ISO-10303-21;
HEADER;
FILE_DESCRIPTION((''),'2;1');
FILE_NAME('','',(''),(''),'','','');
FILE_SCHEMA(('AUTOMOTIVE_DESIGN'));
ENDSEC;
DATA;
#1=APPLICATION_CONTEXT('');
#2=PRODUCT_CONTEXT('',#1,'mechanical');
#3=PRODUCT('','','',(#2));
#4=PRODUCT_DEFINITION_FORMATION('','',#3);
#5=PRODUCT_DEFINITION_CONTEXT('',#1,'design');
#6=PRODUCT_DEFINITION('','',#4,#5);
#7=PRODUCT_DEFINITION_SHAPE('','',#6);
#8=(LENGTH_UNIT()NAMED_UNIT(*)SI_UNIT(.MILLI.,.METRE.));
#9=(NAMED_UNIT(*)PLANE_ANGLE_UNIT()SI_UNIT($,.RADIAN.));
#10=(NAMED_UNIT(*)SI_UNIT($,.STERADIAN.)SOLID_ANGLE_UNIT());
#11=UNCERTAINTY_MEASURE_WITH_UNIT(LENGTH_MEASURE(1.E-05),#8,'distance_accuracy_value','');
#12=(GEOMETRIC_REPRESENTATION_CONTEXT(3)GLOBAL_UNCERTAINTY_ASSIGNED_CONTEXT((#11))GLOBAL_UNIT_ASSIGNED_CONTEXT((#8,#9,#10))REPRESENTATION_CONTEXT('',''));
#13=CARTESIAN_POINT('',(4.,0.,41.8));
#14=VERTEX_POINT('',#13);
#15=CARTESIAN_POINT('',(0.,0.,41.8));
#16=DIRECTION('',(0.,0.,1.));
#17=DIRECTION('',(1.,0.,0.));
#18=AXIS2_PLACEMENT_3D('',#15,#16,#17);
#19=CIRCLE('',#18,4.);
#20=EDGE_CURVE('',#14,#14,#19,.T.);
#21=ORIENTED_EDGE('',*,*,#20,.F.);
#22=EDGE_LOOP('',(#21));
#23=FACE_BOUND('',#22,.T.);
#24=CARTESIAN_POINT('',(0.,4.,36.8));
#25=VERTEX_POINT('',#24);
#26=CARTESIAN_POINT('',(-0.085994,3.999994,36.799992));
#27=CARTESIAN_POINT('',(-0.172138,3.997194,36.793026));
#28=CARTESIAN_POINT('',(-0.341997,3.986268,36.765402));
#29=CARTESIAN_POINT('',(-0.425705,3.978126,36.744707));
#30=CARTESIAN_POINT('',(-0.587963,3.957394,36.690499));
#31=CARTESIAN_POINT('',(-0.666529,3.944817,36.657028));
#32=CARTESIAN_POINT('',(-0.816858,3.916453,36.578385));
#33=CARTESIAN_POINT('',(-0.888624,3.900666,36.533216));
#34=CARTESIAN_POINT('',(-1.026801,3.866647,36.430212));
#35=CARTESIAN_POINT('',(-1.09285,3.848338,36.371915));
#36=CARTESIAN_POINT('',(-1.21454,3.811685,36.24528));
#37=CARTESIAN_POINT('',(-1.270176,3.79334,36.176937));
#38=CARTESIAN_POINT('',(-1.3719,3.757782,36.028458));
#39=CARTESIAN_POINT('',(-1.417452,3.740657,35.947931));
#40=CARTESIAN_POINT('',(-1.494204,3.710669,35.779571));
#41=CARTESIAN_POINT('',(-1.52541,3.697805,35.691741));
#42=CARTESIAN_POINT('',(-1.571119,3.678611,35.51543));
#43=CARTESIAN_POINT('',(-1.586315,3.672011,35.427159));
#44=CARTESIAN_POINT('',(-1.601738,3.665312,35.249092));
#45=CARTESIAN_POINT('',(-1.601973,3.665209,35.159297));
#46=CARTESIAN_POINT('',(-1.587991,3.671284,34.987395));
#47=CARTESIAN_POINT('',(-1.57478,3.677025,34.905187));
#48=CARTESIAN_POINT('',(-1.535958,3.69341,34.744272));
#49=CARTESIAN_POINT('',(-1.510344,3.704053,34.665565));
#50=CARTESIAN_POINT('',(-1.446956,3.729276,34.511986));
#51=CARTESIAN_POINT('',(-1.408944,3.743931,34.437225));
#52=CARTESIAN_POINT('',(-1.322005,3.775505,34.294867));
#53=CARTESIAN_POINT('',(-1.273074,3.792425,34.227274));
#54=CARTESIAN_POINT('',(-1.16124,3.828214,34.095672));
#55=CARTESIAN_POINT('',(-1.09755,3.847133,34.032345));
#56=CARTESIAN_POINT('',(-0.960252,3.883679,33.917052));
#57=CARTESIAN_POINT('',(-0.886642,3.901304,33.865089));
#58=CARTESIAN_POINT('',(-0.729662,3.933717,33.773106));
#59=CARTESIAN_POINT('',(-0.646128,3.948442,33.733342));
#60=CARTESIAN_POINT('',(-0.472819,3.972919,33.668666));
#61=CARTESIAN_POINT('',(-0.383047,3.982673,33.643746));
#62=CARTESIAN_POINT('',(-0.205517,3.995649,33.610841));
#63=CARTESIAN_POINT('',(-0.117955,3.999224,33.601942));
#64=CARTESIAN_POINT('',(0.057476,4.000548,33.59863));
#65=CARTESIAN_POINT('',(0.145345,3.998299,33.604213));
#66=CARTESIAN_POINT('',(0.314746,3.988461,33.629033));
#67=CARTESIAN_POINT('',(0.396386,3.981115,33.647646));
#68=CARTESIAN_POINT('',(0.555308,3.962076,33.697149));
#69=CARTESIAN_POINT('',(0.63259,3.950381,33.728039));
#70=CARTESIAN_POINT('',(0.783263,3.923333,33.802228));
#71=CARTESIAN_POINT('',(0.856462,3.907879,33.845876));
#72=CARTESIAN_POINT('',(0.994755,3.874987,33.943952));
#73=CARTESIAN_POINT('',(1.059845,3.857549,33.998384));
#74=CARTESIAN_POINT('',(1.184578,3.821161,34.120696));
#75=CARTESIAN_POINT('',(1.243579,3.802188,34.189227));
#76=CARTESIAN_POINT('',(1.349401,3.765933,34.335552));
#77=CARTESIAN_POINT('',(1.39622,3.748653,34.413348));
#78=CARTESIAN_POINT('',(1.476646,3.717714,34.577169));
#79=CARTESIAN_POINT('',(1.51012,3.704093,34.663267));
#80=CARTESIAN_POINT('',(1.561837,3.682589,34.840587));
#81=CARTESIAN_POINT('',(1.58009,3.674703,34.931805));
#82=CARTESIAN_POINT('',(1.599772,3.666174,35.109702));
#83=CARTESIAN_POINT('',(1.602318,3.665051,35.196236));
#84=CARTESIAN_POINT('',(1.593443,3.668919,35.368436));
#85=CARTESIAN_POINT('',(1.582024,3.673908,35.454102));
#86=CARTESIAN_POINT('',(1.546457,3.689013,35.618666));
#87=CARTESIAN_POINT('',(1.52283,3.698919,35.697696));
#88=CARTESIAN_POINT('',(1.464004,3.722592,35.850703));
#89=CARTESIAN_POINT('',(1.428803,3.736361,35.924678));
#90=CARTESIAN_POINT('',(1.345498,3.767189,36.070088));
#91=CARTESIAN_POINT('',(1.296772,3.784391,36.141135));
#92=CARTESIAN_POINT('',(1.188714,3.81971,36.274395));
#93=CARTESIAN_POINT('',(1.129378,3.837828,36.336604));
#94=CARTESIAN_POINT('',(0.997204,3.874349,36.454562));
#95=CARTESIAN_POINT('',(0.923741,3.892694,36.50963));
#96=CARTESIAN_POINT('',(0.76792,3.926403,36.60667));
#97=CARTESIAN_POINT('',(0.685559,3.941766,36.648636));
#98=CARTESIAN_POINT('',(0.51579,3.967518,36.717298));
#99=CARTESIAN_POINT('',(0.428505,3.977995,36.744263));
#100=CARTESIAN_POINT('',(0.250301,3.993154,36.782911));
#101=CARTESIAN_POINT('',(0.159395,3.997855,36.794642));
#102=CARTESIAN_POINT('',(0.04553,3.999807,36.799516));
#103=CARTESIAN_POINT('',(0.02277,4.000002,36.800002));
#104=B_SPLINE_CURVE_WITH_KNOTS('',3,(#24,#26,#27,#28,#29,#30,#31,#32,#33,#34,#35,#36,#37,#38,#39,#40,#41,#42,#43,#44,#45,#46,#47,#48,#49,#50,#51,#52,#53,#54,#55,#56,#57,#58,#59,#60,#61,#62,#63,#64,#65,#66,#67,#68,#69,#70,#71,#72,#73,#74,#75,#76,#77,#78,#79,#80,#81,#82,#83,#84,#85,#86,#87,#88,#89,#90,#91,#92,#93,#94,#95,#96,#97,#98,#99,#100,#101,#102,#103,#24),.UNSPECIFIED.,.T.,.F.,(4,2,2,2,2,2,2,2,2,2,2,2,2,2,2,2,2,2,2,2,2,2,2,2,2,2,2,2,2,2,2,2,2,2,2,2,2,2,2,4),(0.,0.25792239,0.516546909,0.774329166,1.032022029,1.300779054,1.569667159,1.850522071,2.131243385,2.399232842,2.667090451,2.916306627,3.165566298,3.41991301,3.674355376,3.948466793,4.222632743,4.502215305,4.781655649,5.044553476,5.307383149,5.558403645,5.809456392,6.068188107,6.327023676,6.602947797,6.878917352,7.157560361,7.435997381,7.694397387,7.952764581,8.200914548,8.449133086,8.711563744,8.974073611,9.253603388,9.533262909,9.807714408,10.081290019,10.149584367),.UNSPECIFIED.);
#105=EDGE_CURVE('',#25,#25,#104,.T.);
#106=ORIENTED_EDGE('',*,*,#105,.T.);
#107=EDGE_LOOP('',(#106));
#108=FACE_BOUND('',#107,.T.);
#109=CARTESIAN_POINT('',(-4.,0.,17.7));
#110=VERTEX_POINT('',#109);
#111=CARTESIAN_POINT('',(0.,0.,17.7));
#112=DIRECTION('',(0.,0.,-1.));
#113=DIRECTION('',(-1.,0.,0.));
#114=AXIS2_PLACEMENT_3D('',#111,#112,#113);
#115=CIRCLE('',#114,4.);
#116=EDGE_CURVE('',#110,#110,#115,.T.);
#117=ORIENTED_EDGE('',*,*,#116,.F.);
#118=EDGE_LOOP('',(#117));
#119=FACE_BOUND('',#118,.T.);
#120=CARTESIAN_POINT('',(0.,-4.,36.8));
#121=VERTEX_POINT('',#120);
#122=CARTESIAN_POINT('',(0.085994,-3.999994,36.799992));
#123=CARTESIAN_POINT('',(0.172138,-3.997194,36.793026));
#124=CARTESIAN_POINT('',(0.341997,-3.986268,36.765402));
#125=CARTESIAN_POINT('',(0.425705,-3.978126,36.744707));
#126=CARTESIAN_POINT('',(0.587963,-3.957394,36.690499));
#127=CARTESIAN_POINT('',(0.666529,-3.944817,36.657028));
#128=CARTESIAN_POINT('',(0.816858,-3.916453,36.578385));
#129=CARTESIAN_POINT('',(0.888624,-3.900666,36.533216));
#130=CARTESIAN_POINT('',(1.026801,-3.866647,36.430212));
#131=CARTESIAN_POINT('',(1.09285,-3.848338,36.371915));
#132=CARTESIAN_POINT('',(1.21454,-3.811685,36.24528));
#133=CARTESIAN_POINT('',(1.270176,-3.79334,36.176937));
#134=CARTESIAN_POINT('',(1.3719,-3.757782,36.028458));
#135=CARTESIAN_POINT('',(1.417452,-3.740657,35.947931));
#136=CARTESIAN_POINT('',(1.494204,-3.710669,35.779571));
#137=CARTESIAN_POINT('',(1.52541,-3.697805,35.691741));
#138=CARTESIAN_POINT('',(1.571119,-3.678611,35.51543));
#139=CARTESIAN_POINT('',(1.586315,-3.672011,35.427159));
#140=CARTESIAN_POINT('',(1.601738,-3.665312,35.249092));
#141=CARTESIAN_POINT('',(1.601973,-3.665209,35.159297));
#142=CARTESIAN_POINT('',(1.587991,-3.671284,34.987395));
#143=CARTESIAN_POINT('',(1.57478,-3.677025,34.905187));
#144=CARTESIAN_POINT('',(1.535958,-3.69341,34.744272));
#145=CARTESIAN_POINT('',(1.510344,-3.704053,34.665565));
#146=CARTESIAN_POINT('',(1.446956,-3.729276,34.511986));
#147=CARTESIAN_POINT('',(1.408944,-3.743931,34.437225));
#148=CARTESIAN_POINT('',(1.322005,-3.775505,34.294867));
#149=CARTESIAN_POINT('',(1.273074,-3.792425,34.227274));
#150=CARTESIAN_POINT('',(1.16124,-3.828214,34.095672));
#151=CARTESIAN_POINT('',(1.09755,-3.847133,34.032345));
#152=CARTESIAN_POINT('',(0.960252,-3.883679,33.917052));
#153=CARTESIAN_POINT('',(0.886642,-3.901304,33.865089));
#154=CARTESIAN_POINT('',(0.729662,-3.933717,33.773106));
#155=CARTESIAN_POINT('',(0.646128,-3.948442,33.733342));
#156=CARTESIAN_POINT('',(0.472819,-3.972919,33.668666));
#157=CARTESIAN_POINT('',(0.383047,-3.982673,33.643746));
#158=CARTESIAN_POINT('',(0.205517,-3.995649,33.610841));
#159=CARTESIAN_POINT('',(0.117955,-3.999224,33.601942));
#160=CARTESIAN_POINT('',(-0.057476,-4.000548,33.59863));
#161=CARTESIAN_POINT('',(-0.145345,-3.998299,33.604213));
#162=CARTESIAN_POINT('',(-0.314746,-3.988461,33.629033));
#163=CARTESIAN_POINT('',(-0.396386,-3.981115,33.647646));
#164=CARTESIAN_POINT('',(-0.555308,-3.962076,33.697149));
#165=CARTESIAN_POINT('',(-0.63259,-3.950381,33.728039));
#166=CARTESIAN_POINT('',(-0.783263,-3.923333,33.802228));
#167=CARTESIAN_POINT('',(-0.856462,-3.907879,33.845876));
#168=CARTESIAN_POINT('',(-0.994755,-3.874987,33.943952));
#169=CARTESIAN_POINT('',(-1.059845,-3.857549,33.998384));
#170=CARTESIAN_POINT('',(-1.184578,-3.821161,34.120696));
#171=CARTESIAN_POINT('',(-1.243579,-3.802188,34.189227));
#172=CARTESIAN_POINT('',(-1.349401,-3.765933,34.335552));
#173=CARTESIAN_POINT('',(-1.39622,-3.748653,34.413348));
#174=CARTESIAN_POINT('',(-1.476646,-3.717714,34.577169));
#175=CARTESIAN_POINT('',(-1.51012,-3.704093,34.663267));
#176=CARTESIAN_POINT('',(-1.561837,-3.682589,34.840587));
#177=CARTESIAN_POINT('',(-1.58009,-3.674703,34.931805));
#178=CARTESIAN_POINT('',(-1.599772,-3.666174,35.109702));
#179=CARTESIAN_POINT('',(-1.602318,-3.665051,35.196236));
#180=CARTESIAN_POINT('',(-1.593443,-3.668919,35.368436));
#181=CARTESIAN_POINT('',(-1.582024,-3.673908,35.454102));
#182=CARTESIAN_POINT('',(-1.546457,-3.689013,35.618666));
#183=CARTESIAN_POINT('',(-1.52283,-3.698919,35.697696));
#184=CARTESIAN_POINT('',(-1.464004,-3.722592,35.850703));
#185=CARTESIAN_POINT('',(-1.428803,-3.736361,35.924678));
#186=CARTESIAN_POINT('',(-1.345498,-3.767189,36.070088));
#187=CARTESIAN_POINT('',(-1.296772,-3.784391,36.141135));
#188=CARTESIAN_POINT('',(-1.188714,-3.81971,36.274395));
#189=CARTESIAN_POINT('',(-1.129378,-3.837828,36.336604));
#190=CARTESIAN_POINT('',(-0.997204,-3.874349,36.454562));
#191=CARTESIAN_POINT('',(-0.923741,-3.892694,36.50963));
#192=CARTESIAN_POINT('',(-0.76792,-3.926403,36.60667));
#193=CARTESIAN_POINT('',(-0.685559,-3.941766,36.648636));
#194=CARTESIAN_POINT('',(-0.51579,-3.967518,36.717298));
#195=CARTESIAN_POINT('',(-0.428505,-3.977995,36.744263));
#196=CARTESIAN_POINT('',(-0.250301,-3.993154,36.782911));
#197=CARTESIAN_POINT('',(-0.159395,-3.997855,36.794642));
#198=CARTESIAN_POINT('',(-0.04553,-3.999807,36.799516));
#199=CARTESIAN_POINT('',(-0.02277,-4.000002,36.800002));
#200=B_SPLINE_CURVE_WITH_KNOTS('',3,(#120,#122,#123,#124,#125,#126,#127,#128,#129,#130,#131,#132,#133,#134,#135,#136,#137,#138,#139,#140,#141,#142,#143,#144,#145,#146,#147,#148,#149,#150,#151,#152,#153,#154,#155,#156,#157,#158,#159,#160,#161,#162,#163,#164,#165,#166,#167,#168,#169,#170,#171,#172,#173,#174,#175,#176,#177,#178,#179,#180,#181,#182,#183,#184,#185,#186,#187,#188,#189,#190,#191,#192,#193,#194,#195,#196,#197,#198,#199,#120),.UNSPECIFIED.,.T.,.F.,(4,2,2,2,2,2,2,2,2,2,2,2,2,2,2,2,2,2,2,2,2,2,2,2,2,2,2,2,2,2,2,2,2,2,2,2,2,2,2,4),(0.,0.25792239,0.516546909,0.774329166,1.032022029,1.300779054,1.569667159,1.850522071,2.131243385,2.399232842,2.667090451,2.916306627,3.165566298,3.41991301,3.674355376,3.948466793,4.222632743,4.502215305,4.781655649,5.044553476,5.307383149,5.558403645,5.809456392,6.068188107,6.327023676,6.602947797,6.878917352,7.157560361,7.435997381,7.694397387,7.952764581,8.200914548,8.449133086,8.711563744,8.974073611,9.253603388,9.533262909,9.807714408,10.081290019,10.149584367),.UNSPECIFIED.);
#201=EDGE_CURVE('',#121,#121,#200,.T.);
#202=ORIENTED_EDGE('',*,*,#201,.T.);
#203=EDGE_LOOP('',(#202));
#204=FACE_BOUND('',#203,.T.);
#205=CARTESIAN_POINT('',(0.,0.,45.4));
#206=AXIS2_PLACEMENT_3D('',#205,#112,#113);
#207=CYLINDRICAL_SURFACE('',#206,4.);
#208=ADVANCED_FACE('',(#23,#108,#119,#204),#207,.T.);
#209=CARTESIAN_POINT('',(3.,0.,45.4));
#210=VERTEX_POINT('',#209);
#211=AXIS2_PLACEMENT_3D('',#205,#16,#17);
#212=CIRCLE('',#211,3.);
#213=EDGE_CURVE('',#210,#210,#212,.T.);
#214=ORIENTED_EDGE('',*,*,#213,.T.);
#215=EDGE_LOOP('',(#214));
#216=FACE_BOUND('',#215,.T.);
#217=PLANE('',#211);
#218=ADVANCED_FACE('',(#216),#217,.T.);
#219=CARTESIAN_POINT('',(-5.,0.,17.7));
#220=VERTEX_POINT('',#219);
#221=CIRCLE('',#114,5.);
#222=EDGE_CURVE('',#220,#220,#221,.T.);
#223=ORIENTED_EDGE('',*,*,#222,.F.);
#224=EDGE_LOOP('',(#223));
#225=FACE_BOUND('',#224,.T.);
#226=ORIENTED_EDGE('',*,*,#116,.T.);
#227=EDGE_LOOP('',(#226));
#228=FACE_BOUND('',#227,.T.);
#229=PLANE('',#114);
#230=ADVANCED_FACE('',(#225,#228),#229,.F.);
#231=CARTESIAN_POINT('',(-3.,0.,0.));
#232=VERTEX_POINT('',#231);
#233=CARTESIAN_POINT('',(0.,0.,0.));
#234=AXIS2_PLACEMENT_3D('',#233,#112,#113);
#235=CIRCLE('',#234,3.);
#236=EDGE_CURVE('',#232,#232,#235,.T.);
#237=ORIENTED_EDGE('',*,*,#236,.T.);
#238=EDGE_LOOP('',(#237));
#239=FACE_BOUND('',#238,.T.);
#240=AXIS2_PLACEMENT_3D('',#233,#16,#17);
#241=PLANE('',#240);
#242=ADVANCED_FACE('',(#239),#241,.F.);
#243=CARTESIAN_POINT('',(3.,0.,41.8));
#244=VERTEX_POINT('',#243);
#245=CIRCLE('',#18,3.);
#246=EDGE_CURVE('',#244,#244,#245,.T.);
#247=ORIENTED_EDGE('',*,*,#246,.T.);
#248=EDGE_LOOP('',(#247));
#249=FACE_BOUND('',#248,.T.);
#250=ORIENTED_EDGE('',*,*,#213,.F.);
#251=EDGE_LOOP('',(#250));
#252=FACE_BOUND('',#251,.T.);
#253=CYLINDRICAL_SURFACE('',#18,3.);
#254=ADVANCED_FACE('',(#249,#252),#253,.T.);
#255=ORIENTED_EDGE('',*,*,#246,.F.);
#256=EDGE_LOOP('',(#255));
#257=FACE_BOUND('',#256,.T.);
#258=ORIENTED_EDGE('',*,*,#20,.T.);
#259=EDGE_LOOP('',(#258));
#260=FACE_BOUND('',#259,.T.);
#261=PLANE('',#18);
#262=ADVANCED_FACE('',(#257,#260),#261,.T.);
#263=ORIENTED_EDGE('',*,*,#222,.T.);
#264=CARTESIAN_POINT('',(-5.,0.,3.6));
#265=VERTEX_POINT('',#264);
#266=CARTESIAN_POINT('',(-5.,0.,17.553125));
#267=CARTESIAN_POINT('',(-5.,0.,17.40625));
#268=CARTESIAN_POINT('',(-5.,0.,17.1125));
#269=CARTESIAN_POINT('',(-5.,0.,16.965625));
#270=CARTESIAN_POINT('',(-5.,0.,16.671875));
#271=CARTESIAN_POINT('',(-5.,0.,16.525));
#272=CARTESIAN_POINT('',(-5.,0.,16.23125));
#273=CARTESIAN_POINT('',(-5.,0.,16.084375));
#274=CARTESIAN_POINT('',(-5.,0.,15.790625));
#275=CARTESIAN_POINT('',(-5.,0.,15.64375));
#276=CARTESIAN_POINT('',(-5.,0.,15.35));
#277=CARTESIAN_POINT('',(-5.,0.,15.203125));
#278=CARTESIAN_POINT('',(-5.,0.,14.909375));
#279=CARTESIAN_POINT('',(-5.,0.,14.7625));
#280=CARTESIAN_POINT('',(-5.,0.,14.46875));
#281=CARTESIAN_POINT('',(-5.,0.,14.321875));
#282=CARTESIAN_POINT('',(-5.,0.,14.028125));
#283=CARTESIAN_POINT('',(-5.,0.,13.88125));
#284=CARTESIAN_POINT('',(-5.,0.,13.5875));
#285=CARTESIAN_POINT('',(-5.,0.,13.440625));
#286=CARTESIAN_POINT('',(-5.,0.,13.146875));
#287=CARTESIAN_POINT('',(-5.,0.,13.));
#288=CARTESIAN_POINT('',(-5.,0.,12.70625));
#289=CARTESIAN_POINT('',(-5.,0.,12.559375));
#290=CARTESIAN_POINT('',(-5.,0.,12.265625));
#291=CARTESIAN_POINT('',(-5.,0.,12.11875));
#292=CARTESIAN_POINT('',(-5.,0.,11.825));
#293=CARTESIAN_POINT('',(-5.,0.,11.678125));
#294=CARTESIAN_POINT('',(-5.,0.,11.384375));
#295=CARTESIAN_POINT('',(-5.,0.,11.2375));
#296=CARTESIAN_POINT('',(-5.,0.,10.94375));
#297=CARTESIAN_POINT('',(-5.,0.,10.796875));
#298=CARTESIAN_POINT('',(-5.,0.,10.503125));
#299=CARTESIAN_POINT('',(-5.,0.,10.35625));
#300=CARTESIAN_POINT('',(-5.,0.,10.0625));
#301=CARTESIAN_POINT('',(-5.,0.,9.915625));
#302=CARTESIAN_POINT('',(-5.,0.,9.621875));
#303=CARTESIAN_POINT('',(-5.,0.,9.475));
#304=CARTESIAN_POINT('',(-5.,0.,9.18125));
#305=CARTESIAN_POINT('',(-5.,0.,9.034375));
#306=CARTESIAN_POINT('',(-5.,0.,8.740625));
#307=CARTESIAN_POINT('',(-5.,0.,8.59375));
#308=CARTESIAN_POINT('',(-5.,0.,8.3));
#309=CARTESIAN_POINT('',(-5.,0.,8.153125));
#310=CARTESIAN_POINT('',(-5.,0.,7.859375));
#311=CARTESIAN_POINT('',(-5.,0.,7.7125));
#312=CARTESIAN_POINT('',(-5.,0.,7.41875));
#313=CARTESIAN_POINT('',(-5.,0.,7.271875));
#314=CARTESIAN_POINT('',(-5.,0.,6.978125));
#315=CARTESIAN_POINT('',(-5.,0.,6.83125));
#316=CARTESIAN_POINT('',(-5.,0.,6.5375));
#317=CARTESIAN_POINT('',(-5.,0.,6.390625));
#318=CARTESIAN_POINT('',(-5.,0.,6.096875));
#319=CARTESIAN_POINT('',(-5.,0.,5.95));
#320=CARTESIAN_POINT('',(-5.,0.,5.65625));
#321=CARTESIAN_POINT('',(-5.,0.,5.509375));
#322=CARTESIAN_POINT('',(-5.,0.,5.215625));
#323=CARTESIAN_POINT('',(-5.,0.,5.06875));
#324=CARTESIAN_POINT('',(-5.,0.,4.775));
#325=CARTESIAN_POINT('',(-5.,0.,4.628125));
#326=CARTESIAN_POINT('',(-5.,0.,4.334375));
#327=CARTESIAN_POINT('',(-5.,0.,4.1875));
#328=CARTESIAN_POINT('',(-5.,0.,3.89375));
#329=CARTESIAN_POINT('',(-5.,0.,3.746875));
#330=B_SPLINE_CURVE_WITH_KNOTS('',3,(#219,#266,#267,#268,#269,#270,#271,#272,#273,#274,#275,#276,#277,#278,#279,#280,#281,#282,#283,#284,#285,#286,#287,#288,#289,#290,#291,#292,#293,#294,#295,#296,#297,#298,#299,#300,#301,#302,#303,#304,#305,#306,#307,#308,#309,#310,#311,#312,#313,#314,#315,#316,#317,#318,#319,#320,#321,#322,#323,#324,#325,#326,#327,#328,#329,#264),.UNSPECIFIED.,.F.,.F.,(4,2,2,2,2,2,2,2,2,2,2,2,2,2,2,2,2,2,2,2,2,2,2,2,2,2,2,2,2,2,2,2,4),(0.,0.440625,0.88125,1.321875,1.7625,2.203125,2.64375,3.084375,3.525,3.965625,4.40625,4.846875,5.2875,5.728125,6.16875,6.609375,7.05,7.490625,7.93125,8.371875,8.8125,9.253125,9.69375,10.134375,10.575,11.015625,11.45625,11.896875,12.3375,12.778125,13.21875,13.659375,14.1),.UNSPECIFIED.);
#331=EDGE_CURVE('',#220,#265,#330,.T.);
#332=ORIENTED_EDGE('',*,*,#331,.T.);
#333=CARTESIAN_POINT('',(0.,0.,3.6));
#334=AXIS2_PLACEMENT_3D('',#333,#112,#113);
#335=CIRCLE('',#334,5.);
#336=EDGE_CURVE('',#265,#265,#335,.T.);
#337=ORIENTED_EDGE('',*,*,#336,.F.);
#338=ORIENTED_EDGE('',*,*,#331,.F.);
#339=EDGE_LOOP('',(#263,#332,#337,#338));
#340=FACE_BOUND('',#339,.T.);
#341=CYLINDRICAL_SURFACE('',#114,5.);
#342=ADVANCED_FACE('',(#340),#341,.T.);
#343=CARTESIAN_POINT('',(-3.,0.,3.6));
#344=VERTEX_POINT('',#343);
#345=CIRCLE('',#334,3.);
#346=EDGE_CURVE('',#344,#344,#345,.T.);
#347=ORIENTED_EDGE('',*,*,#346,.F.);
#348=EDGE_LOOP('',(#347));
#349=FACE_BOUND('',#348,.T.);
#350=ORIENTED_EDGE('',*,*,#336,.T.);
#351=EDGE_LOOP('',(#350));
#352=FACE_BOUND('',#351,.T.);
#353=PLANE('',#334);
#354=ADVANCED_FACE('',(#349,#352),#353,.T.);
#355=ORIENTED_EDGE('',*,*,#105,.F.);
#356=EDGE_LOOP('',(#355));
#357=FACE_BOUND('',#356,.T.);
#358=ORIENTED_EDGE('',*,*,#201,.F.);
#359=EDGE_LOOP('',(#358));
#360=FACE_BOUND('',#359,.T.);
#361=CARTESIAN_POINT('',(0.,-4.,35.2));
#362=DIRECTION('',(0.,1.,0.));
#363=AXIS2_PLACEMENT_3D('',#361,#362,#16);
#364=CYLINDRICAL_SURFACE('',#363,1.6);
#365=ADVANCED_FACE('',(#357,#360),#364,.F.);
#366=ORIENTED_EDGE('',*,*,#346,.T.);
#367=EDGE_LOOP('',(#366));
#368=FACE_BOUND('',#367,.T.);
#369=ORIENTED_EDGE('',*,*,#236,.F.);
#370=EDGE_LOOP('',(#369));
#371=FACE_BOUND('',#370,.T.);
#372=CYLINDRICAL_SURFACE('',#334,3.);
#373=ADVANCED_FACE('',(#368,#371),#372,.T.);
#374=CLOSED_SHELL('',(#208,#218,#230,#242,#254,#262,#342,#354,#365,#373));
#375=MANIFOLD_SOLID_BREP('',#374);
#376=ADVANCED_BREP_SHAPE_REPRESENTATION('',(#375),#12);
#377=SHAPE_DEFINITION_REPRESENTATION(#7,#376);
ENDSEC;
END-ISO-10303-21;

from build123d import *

# Parameters (mm, degrees)
SKETCH_1_R               = 4
EXTRUDE_1_DEPTH          = 45.4
SKETCH_2_R               = 4
SKETCH_2_R_2             = 3
CUT_EXTRUDE_1_DEPTH      = 3.6
CUT_EXTRUDE_START        = -3.6
SKETCH_3_R               = 4
SKETCH_3_R_2             = 3
CUT_EXTRUDE_2_DEPTH      = 3.6
CUT_EXTRUDE_3_DEPTH      = 46.751065561
CUT_EXTRUDE_3_DEPTH_BACK = 46.751065561
SKETCH_4_R               = 1.6
SKETCH_5_R               = 5
SKETCH_5_R_2             = 4
EXTRUDE_2_DEPTH          = 14.1


with BuildPart() as part:
    # ｽｹｯﾁ1 → ﾎﾞｽ - 押し出し1 (new body)
    with BuildSketch(Plane.XY):
        Circle(SKETCH_1_R)
    extrude(amount=EXTRUDE_1_DEPTH)

    # ｽｹｯﾁ2 → ｶｯﾄ - 押し出し1 (cut)
    with BuildSketch(Plane(origin=(0, 0, 0), x_dir=(-1, 0, 0), z_dir=(0, 0, -1))):
        Circle(SKETCH_2_R)
        Circle(SKETCH_2_R_2, mode=Mode.SUBTRACT)
    extrude(amount=-CUT_EXTRUDE_1_DEPTH, mode=Mode.SUBTRACT)

    # ｽｹｯﾁ3 → ｶｯﾄ - 押し出し2 (cut)
    with BuildSketch(Plane.XY.offset(45.4).offset(CUT_EXTRUDE_START)):
        with Locations(Location((0, 0, 0), (0, 0, 180))):
            Circle(SKETCH_3_R)
        with Locations(Location((0, 0, 0), (0, 0, 180))):
            Circle(SKETCH_3_R_2, mode=Mode.SUBTRACT)
    extrude(amount=CUT_EXTRUDE_2_DEPTH, mode=Mode.SUBTRACT)

    # ｽｹｯﾁ4 → ｶｯﾄ - 押し出し3 (cut, two sides: drawn at the far end of the back side and taken through both)
    with BuildSketch(Plane(origin=(0, 0, 0), x_dir=(1, 0, 0), z_dir=(0, 1, 0)).offset(-CUT_EXTRUDE_3_DEPTH_BACK)):
        with Locations(Location((0, -35.2, 0), (0, 0, 270))):
            Circle(SKETCH_4_R)
    extrude(amount=CUT_EXTRUDE_3_DEPTH + CUT_EXTRUDE_3_DEPTH_BACK, mode=Mode.SUBTRACT)

    # ｽｹｯﾁ5 → ﾎﾞｽ - 押し出し2 (add)
    with BuildSketch(Plane(origin=(0, 0, 3.6), x_dir=(-1, 0, 0), z_dir=(0, 0, -1))):
        Circle(SKETCH_5_R)
        Circle(SKETCH_5_R_2, mode=Mode.SUBTRACT)
    extrude(amount=-EXTRUDE_2_DEPTH)


solid = part.part
